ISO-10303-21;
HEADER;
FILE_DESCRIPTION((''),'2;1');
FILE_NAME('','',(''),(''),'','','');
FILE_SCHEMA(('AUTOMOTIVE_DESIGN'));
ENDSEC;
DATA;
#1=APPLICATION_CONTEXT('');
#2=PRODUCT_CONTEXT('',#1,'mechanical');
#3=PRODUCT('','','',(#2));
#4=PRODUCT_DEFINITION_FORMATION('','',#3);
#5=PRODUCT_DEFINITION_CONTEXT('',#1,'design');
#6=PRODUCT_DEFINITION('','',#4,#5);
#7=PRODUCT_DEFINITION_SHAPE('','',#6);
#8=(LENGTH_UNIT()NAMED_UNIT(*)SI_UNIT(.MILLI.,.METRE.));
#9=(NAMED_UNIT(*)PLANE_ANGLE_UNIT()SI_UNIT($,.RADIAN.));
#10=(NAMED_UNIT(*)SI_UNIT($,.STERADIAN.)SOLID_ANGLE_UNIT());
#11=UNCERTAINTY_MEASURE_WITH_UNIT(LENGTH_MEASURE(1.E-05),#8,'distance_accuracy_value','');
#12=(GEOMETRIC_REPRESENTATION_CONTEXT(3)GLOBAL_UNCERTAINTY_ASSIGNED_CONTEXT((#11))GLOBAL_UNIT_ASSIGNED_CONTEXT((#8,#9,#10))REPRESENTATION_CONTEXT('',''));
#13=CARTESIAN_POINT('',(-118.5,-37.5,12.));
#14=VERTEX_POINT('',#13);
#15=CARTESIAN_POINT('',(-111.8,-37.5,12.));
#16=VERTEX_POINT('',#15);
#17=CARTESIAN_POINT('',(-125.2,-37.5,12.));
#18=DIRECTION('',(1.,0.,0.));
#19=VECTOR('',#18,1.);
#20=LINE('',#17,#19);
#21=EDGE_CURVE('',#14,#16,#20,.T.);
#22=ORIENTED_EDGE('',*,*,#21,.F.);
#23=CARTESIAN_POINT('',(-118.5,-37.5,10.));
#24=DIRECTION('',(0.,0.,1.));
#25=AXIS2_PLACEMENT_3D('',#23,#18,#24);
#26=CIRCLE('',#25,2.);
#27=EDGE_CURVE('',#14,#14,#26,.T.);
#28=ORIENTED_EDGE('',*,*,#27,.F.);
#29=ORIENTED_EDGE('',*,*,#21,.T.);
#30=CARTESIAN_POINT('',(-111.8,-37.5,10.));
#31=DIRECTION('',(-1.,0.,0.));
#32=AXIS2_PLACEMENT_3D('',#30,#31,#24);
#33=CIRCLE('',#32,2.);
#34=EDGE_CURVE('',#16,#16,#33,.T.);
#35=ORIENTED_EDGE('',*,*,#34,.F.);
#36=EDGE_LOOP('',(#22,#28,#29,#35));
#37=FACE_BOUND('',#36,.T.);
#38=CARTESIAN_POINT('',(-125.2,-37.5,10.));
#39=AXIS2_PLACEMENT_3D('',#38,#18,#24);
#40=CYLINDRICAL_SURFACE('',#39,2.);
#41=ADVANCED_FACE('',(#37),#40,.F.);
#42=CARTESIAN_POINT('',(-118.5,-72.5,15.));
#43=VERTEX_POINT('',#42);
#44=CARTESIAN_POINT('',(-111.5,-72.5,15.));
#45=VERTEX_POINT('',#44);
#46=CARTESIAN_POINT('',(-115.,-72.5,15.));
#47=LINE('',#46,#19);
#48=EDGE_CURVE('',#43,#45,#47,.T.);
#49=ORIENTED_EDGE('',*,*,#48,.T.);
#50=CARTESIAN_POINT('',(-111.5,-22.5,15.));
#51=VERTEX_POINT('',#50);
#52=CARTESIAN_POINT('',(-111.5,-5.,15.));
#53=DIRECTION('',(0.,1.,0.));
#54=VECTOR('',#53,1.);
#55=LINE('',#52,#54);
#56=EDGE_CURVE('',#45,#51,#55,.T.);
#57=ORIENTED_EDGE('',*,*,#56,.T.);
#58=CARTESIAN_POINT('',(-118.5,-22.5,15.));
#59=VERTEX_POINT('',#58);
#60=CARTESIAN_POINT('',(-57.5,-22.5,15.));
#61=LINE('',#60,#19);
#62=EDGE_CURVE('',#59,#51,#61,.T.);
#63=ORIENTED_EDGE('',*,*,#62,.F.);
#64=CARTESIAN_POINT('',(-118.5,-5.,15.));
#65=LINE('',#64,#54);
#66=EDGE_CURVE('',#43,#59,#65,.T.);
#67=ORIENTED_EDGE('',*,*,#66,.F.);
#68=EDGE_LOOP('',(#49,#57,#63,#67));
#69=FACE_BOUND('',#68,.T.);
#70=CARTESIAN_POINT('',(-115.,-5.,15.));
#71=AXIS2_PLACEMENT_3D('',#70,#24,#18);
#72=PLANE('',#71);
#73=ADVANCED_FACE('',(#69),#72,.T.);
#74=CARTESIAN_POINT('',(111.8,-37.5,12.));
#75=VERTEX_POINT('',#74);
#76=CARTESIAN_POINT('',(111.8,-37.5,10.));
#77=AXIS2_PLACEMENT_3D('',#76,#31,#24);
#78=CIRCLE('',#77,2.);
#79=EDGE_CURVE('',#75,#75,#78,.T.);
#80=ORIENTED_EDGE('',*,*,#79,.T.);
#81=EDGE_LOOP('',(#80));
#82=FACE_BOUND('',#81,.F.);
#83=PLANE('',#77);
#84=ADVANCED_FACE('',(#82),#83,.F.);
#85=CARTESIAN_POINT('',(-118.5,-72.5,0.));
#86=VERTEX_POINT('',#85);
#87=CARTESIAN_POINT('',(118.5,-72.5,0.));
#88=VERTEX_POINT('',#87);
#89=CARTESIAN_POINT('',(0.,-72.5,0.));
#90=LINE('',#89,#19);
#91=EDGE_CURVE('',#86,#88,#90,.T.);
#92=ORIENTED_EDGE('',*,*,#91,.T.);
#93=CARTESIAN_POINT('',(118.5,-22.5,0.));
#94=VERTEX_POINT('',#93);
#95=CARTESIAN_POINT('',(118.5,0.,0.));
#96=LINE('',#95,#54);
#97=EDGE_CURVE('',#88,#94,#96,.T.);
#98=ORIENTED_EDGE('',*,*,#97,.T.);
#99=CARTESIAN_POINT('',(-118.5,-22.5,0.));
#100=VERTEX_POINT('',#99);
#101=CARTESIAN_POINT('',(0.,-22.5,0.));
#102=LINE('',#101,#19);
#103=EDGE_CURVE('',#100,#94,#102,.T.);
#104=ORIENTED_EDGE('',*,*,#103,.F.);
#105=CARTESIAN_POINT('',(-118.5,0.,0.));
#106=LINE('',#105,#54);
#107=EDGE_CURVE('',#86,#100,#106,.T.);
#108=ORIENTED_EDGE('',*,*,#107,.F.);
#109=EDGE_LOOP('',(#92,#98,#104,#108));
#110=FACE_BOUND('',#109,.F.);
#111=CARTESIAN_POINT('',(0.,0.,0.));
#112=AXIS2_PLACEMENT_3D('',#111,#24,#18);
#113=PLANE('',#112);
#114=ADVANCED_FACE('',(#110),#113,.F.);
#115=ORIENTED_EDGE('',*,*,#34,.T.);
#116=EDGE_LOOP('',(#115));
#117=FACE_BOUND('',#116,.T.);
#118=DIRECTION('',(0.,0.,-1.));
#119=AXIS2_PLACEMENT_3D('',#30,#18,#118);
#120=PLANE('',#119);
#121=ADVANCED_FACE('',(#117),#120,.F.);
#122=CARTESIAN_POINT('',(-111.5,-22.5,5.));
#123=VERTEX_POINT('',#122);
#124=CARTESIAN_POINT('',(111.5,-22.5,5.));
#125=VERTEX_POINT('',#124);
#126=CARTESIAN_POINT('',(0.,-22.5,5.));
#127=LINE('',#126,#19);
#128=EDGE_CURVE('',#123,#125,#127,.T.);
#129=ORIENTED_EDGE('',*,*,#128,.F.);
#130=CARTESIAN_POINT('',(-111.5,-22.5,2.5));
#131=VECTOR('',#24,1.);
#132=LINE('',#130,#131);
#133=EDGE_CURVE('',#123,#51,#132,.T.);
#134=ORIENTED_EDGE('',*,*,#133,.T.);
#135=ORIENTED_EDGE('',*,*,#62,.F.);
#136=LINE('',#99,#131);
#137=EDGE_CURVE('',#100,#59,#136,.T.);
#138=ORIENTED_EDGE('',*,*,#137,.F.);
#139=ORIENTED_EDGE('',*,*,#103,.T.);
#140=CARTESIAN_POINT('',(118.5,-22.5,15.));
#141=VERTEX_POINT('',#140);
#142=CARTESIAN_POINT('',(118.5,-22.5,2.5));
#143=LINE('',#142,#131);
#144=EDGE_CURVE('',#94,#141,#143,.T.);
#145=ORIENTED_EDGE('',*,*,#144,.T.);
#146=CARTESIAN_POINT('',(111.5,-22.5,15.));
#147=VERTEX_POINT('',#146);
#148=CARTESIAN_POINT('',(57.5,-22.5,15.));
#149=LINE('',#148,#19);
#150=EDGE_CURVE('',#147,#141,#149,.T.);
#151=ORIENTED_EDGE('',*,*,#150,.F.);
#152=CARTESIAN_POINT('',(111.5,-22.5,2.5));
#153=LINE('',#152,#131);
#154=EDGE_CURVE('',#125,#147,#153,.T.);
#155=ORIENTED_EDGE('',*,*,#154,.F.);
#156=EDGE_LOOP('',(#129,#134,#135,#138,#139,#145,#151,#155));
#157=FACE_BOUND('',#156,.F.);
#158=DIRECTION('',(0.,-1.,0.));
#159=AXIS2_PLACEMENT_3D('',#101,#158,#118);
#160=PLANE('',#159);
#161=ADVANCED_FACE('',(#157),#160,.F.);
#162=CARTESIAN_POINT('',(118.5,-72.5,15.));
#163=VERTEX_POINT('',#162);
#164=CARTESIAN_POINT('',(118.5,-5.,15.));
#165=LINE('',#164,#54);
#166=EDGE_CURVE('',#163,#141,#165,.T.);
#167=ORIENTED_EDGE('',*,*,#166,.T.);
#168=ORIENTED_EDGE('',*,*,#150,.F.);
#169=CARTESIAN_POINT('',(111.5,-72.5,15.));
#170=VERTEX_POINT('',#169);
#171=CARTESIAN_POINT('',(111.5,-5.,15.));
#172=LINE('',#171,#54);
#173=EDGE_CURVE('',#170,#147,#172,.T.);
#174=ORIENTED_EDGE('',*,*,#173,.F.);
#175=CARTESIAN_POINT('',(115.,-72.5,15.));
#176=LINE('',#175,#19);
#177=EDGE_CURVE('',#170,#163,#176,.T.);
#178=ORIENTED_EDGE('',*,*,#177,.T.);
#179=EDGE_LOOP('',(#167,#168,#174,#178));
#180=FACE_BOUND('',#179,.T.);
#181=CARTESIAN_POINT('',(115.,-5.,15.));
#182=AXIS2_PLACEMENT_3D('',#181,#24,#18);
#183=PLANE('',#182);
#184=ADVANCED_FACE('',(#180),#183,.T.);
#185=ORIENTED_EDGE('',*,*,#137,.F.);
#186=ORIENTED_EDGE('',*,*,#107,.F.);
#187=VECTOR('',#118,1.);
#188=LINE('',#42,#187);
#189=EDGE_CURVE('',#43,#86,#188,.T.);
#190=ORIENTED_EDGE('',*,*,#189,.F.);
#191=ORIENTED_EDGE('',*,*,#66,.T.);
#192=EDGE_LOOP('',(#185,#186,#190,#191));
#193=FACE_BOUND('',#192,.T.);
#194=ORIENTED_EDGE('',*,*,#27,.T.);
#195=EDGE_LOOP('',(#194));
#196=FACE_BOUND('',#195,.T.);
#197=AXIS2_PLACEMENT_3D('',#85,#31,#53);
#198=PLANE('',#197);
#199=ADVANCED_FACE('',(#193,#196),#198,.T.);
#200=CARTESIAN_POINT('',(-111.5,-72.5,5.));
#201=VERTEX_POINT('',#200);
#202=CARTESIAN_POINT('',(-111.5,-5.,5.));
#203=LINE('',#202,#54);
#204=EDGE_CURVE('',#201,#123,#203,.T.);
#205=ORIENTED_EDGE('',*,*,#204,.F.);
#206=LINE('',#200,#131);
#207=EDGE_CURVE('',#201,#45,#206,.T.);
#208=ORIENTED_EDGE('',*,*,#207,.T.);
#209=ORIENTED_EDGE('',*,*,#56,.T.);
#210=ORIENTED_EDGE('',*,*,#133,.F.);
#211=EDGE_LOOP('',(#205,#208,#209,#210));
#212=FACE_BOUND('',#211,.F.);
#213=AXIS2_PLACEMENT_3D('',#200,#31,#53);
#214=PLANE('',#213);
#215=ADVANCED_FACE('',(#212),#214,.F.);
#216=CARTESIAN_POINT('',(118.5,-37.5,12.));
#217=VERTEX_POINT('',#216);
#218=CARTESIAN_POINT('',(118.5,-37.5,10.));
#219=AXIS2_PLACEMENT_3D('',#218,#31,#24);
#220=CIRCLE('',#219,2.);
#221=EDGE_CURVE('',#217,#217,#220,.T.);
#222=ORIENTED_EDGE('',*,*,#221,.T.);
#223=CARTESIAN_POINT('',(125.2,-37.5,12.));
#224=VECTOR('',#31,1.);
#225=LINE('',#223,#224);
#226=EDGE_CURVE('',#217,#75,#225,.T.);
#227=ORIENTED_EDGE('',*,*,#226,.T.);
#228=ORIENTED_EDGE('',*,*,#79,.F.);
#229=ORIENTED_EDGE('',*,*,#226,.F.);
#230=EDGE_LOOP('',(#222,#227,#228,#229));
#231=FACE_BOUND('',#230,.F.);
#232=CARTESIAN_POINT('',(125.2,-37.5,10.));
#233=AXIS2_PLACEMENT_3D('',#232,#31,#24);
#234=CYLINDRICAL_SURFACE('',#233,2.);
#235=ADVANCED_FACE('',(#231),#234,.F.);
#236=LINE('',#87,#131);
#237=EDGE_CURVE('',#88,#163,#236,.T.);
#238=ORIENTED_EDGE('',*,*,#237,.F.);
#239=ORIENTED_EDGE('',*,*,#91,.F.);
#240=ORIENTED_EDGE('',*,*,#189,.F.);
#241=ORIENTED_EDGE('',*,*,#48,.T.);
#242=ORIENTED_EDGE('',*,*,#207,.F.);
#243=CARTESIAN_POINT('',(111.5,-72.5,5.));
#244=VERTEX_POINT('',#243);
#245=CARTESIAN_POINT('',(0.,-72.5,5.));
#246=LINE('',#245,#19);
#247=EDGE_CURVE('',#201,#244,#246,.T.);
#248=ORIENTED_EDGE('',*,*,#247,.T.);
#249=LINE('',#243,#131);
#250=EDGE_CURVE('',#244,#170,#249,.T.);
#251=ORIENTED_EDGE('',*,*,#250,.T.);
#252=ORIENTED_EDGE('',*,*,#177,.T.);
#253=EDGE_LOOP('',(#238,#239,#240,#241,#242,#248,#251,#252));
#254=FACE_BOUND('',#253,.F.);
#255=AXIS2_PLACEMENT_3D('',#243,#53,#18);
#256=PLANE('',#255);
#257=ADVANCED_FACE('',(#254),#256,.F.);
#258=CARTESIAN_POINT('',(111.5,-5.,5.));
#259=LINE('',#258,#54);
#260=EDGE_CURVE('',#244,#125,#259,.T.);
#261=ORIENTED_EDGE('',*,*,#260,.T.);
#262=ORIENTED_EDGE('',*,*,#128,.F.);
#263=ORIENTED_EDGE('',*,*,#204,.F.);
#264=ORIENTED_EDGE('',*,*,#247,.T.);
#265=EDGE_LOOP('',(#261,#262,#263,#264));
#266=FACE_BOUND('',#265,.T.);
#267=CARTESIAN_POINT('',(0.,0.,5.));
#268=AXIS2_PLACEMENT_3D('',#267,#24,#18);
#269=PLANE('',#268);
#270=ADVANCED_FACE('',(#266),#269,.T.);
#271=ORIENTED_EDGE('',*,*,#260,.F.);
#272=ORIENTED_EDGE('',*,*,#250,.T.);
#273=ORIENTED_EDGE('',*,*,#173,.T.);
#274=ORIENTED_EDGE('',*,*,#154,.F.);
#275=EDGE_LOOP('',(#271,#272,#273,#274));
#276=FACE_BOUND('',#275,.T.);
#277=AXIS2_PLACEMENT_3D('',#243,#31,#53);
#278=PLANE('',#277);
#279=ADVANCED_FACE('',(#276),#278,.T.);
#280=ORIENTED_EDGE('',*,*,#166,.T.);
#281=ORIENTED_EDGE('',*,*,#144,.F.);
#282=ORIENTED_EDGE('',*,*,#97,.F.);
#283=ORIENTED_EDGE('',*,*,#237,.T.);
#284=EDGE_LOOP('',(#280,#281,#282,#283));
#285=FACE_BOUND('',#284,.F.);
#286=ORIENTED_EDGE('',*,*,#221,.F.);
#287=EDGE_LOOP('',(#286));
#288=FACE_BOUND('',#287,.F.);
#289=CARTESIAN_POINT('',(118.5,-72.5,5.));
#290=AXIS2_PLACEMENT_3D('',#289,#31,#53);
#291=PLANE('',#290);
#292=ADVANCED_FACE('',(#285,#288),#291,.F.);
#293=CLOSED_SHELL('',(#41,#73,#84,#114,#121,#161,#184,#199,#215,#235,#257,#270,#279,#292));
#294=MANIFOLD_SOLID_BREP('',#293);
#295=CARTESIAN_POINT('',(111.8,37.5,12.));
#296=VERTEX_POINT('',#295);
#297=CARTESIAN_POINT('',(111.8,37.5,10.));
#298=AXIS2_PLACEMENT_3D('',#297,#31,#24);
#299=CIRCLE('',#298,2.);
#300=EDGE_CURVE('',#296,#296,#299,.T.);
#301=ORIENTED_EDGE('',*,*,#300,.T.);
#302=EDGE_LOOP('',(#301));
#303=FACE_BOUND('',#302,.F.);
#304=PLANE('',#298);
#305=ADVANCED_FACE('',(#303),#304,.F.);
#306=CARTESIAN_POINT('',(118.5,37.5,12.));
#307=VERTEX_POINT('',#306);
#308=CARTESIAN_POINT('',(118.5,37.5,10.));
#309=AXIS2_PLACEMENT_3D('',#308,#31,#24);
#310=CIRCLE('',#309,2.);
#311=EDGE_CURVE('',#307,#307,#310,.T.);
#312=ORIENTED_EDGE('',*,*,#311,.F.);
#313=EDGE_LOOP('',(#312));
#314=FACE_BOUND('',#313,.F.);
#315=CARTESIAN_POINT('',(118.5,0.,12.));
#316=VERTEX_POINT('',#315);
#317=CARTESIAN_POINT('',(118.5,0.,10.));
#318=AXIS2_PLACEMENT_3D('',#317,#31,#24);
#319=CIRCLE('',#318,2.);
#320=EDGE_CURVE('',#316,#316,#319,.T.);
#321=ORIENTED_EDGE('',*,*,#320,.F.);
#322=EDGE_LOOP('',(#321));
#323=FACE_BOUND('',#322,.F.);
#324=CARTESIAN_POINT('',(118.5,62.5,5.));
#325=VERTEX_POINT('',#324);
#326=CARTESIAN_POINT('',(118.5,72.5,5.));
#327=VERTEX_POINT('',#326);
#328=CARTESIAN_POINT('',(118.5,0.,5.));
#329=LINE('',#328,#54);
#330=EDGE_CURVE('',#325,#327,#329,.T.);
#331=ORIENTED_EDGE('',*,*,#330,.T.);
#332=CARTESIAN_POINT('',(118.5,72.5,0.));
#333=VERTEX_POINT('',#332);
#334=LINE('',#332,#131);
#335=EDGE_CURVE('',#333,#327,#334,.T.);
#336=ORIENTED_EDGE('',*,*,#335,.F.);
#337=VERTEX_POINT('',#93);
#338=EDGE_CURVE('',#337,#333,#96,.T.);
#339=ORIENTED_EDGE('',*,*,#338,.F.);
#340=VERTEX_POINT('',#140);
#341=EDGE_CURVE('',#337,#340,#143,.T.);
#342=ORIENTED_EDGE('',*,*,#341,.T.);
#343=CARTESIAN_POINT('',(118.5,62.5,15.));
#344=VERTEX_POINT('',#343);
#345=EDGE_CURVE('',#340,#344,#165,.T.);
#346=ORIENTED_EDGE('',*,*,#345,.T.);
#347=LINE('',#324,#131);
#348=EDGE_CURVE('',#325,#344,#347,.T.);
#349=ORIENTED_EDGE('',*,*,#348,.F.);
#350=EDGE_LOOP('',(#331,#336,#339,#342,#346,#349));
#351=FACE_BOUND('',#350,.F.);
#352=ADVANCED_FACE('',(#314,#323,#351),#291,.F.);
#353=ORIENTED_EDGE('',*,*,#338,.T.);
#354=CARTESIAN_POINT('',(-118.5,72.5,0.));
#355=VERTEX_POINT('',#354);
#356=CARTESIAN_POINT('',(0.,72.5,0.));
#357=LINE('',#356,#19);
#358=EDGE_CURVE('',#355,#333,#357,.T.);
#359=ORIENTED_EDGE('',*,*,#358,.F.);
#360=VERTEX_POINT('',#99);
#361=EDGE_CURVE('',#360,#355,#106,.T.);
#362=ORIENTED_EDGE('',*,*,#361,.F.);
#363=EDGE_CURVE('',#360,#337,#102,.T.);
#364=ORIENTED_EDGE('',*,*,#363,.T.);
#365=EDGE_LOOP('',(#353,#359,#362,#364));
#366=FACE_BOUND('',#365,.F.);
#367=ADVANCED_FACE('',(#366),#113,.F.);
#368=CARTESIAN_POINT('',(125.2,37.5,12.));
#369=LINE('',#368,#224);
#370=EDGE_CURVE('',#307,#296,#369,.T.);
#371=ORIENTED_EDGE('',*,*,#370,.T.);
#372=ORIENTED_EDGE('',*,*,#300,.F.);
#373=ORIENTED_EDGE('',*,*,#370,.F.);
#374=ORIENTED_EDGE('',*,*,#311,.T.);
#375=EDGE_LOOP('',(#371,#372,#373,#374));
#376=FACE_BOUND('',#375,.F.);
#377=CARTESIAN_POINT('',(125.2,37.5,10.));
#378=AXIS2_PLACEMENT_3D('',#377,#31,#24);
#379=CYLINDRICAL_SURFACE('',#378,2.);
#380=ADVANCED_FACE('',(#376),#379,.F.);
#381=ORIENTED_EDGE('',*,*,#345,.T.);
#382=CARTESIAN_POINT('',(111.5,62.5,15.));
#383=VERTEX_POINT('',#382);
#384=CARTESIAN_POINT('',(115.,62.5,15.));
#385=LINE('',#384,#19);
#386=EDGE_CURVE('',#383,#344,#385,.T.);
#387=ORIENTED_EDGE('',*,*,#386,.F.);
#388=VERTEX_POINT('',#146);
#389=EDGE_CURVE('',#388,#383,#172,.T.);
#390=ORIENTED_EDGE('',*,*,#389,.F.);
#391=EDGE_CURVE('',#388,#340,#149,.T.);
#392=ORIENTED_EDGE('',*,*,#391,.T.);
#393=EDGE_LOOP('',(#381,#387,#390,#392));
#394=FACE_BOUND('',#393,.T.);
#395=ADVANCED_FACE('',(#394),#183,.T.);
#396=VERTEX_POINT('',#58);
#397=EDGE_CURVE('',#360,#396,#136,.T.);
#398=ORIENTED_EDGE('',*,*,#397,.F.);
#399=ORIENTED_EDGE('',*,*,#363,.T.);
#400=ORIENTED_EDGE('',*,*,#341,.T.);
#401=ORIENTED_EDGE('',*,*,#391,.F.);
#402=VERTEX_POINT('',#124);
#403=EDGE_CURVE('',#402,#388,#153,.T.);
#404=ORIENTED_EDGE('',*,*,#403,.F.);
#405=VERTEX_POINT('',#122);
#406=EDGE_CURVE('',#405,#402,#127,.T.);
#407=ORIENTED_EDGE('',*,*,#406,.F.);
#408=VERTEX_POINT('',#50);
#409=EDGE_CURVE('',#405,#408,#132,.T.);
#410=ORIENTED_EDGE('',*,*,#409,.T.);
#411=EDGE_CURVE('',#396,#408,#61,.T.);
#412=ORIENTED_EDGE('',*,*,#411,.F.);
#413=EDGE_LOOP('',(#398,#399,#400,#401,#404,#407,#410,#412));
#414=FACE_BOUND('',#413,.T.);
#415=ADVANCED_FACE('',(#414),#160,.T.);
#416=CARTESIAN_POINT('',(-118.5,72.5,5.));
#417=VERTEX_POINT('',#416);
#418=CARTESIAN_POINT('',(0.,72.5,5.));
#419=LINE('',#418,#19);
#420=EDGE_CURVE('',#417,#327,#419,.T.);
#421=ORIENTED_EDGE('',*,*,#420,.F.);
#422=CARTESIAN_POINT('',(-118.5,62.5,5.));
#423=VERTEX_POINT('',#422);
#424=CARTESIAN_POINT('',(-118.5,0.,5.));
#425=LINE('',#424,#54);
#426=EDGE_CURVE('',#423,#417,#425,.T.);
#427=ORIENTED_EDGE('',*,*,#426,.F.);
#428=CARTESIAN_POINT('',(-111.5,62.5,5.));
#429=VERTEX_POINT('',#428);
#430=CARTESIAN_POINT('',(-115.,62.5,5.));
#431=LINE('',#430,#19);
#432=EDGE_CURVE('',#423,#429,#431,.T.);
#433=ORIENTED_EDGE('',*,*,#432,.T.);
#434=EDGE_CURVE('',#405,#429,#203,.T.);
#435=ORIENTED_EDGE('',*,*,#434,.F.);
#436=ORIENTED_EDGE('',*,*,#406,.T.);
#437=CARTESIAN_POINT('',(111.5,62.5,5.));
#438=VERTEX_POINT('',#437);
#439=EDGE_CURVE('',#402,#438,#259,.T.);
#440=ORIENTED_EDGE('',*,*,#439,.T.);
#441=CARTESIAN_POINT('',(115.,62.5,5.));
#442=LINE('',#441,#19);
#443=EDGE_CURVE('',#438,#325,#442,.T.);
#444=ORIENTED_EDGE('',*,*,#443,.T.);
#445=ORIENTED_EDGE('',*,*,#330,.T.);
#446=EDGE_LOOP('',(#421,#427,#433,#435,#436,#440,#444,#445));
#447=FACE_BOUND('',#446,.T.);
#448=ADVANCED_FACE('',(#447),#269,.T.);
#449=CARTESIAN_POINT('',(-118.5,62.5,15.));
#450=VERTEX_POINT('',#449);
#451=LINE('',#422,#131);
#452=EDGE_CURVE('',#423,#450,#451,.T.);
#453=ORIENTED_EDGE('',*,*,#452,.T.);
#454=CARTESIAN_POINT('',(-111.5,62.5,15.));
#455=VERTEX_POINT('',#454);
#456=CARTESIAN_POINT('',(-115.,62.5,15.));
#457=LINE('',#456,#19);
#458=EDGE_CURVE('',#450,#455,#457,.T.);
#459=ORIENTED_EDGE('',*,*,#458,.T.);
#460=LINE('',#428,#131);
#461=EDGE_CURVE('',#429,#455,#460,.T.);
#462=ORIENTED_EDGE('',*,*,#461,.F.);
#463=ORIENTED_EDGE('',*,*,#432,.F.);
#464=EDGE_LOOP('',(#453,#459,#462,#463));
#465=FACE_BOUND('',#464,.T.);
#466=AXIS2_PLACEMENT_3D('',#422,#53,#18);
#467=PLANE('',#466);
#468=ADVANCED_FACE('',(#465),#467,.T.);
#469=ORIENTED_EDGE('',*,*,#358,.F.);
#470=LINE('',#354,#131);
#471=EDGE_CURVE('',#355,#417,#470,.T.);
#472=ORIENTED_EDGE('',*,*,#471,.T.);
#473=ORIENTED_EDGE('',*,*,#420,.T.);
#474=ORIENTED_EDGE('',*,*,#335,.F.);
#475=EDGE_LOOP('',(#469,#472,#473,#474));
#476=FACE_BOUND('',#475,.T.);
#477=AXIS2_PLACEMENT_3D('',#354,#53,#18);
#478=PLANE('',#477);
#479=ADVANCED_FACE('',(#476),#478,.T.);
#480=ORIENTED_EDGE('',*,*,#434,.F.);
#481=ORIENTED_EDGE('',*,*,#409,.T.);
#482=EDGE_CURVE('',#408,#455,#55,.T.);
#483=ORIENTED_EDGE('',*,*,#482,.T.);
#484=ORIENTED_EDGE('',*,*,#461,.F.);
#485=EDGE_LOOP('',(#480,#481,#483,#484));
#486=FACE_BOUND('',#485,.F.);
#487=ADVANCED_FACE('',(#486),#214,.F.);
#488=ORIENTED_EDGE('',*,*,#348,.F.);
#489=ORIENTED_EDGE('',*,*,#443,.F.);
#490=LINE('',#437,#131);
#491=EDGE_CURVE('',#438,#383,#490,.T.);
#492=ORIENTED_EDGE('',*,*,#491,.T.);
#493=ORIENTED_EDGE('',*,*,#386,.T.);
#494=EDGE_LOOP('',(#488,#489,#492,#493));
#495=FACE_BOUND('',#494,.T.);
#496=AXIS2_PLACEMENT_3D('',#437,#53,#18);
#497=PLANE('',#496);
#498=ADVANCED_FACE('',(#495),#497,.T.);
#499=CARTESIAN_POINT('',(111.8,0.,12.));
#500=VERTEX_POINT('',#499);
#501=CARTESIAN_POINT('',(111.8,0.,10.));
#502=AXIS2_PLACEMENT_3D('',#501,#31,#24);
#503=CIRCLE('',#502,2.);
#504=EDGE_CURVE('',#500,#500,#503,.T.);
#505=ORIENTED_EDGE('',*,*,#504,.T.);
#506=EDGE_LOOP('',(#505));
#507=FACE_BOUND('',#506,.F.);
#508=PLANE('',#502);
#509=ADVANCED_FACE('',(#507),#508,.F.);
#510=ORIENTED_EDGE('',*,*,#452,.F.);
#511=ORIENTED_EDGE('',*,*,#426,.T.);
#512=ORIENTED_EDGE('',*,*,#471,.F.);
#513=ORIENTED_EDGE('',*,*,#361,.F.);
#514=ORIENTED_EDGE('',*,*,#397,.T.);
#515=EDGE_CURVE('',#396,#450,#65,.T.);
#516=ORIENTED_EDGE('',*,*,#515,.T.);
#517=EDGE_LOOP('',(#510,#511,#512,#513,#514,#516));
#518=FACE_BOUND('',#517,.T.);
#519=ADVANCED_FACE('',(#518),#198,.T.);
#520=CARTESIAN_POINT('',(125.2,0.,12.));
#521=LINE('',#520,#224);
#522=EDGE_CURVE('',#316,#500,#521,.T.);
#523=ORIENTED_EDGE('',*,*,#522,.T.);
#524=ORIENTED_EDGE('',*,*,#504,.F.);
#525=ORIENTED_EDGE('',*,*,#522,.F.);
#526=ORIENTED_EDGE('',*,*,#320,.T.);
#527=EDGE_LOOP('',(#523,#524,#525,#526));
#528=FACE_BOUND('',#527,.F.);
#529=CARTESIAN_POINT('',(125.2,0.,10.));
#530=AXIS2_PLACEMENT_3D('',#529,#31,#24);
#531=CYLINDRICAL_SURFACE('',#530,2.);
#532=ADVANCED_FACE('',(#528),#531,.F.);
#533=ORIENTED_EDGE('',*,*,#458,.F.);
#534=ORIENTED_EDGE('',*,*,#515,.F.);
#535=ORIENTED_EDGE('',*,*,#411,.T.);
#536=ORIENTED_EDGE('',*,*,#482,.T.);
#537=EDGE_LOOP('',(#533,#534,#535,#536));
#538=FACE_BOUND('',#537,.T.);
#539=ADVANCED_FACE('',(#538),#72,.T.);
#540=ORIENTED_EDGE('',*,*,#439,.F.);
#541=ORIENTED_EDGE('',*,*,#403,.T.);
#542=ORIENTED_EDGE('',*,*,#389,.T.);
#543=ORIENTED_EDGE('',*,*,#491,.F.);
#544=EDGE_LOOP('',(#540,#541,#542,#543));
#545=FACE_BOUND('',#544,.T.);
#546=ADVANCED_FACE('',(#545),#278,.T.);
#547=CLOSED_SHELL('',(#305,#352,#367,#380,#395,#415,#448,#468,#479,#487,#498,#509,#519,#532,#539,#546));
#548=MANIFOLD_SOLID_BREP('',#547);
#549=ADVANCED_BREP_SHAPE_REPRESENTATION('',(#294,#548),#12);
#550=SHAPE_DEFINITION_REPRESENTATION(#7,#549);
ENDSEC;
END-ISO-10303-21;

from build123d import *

# Parameters (mm, degrees)
SZKIC1_W                    = 237
SZKIC1_H                    = 145
DODANIE_WYCI_GNI_CIE1_DEPTH = 5
SZKIC2_W                    = 7
SZKIC2_H                    = 135
DODANIE_WYCI_GNI_CIE2_DEPTH = 10
OTW_R_4_0_4_1_D             = 4
OTW_R_4_0_4_1_DEPTH         = 6.7


with BuildPart() as part:
    # Szkic1 → Dodanie-wyciągnięcie1 (new body)
    with BuildSketch(Plane.XY):
        Rectangle(SZKIC1_W, SZKIC1_H)
    extrude(amount=DODANIE_WYCI_GNI_CIE1_DEPTH)

    # Szkic2 → Dodanie-wyciągnięcie2 (add)
    with BuildSketch(Plane.XY.offset(5)):
        with Locations((115, -5)):
            Rectangle(SZKIC2_W, SZKIC2_H)
        with Locations((-115, -5)):
            Rectangle(SZKIC2_W, SZKIC2_H)
    extrude(amount=DODANIE_WYCI_GNI_CIE2_DEPTH)

    # Otwór Ø4.0 (4)1
    with Locations(Plane(origin=(118.5, 0, 0), x_dir=(0, 0, -1), z_dir=(1, 0, 0))):
        with Locations((-10, -37.5), (-10, 37.5), (-10, 0)):
            otw_r_4_0_4_1 = Hole(OTW_R_4_0_4_1_D / 2, depth=OTW_R_4_0_4_1_DEPTH)


with BuildPart() as body_2:
    # Podziel1: the piece on the far side of the plane
    add(part.part)
    split(bisect_by=Plane(origin=(0, -22.5, 0), x_dir=(0, 0, -1), z_dir=(0, -1, 0)), keep=Keep.BOTTOM)


with BuildPart() as part_1:
    add(part.part)

    # Podziel1
    split(bisect_by=Plane(origin=(0, -22.5, 0), x_dir=(0, 0, -1), z_dir=(0, -1, 0)), keep=Keep.TOP)

    # Lustro1: Otwór Ø4.0 (4)1 across plane
    add(otw_r_4_0_4_1.mirror(Plane.ZY), mode=Mode.SUBTRACT)


solid = Compound([body_2.part, part_1.part])
